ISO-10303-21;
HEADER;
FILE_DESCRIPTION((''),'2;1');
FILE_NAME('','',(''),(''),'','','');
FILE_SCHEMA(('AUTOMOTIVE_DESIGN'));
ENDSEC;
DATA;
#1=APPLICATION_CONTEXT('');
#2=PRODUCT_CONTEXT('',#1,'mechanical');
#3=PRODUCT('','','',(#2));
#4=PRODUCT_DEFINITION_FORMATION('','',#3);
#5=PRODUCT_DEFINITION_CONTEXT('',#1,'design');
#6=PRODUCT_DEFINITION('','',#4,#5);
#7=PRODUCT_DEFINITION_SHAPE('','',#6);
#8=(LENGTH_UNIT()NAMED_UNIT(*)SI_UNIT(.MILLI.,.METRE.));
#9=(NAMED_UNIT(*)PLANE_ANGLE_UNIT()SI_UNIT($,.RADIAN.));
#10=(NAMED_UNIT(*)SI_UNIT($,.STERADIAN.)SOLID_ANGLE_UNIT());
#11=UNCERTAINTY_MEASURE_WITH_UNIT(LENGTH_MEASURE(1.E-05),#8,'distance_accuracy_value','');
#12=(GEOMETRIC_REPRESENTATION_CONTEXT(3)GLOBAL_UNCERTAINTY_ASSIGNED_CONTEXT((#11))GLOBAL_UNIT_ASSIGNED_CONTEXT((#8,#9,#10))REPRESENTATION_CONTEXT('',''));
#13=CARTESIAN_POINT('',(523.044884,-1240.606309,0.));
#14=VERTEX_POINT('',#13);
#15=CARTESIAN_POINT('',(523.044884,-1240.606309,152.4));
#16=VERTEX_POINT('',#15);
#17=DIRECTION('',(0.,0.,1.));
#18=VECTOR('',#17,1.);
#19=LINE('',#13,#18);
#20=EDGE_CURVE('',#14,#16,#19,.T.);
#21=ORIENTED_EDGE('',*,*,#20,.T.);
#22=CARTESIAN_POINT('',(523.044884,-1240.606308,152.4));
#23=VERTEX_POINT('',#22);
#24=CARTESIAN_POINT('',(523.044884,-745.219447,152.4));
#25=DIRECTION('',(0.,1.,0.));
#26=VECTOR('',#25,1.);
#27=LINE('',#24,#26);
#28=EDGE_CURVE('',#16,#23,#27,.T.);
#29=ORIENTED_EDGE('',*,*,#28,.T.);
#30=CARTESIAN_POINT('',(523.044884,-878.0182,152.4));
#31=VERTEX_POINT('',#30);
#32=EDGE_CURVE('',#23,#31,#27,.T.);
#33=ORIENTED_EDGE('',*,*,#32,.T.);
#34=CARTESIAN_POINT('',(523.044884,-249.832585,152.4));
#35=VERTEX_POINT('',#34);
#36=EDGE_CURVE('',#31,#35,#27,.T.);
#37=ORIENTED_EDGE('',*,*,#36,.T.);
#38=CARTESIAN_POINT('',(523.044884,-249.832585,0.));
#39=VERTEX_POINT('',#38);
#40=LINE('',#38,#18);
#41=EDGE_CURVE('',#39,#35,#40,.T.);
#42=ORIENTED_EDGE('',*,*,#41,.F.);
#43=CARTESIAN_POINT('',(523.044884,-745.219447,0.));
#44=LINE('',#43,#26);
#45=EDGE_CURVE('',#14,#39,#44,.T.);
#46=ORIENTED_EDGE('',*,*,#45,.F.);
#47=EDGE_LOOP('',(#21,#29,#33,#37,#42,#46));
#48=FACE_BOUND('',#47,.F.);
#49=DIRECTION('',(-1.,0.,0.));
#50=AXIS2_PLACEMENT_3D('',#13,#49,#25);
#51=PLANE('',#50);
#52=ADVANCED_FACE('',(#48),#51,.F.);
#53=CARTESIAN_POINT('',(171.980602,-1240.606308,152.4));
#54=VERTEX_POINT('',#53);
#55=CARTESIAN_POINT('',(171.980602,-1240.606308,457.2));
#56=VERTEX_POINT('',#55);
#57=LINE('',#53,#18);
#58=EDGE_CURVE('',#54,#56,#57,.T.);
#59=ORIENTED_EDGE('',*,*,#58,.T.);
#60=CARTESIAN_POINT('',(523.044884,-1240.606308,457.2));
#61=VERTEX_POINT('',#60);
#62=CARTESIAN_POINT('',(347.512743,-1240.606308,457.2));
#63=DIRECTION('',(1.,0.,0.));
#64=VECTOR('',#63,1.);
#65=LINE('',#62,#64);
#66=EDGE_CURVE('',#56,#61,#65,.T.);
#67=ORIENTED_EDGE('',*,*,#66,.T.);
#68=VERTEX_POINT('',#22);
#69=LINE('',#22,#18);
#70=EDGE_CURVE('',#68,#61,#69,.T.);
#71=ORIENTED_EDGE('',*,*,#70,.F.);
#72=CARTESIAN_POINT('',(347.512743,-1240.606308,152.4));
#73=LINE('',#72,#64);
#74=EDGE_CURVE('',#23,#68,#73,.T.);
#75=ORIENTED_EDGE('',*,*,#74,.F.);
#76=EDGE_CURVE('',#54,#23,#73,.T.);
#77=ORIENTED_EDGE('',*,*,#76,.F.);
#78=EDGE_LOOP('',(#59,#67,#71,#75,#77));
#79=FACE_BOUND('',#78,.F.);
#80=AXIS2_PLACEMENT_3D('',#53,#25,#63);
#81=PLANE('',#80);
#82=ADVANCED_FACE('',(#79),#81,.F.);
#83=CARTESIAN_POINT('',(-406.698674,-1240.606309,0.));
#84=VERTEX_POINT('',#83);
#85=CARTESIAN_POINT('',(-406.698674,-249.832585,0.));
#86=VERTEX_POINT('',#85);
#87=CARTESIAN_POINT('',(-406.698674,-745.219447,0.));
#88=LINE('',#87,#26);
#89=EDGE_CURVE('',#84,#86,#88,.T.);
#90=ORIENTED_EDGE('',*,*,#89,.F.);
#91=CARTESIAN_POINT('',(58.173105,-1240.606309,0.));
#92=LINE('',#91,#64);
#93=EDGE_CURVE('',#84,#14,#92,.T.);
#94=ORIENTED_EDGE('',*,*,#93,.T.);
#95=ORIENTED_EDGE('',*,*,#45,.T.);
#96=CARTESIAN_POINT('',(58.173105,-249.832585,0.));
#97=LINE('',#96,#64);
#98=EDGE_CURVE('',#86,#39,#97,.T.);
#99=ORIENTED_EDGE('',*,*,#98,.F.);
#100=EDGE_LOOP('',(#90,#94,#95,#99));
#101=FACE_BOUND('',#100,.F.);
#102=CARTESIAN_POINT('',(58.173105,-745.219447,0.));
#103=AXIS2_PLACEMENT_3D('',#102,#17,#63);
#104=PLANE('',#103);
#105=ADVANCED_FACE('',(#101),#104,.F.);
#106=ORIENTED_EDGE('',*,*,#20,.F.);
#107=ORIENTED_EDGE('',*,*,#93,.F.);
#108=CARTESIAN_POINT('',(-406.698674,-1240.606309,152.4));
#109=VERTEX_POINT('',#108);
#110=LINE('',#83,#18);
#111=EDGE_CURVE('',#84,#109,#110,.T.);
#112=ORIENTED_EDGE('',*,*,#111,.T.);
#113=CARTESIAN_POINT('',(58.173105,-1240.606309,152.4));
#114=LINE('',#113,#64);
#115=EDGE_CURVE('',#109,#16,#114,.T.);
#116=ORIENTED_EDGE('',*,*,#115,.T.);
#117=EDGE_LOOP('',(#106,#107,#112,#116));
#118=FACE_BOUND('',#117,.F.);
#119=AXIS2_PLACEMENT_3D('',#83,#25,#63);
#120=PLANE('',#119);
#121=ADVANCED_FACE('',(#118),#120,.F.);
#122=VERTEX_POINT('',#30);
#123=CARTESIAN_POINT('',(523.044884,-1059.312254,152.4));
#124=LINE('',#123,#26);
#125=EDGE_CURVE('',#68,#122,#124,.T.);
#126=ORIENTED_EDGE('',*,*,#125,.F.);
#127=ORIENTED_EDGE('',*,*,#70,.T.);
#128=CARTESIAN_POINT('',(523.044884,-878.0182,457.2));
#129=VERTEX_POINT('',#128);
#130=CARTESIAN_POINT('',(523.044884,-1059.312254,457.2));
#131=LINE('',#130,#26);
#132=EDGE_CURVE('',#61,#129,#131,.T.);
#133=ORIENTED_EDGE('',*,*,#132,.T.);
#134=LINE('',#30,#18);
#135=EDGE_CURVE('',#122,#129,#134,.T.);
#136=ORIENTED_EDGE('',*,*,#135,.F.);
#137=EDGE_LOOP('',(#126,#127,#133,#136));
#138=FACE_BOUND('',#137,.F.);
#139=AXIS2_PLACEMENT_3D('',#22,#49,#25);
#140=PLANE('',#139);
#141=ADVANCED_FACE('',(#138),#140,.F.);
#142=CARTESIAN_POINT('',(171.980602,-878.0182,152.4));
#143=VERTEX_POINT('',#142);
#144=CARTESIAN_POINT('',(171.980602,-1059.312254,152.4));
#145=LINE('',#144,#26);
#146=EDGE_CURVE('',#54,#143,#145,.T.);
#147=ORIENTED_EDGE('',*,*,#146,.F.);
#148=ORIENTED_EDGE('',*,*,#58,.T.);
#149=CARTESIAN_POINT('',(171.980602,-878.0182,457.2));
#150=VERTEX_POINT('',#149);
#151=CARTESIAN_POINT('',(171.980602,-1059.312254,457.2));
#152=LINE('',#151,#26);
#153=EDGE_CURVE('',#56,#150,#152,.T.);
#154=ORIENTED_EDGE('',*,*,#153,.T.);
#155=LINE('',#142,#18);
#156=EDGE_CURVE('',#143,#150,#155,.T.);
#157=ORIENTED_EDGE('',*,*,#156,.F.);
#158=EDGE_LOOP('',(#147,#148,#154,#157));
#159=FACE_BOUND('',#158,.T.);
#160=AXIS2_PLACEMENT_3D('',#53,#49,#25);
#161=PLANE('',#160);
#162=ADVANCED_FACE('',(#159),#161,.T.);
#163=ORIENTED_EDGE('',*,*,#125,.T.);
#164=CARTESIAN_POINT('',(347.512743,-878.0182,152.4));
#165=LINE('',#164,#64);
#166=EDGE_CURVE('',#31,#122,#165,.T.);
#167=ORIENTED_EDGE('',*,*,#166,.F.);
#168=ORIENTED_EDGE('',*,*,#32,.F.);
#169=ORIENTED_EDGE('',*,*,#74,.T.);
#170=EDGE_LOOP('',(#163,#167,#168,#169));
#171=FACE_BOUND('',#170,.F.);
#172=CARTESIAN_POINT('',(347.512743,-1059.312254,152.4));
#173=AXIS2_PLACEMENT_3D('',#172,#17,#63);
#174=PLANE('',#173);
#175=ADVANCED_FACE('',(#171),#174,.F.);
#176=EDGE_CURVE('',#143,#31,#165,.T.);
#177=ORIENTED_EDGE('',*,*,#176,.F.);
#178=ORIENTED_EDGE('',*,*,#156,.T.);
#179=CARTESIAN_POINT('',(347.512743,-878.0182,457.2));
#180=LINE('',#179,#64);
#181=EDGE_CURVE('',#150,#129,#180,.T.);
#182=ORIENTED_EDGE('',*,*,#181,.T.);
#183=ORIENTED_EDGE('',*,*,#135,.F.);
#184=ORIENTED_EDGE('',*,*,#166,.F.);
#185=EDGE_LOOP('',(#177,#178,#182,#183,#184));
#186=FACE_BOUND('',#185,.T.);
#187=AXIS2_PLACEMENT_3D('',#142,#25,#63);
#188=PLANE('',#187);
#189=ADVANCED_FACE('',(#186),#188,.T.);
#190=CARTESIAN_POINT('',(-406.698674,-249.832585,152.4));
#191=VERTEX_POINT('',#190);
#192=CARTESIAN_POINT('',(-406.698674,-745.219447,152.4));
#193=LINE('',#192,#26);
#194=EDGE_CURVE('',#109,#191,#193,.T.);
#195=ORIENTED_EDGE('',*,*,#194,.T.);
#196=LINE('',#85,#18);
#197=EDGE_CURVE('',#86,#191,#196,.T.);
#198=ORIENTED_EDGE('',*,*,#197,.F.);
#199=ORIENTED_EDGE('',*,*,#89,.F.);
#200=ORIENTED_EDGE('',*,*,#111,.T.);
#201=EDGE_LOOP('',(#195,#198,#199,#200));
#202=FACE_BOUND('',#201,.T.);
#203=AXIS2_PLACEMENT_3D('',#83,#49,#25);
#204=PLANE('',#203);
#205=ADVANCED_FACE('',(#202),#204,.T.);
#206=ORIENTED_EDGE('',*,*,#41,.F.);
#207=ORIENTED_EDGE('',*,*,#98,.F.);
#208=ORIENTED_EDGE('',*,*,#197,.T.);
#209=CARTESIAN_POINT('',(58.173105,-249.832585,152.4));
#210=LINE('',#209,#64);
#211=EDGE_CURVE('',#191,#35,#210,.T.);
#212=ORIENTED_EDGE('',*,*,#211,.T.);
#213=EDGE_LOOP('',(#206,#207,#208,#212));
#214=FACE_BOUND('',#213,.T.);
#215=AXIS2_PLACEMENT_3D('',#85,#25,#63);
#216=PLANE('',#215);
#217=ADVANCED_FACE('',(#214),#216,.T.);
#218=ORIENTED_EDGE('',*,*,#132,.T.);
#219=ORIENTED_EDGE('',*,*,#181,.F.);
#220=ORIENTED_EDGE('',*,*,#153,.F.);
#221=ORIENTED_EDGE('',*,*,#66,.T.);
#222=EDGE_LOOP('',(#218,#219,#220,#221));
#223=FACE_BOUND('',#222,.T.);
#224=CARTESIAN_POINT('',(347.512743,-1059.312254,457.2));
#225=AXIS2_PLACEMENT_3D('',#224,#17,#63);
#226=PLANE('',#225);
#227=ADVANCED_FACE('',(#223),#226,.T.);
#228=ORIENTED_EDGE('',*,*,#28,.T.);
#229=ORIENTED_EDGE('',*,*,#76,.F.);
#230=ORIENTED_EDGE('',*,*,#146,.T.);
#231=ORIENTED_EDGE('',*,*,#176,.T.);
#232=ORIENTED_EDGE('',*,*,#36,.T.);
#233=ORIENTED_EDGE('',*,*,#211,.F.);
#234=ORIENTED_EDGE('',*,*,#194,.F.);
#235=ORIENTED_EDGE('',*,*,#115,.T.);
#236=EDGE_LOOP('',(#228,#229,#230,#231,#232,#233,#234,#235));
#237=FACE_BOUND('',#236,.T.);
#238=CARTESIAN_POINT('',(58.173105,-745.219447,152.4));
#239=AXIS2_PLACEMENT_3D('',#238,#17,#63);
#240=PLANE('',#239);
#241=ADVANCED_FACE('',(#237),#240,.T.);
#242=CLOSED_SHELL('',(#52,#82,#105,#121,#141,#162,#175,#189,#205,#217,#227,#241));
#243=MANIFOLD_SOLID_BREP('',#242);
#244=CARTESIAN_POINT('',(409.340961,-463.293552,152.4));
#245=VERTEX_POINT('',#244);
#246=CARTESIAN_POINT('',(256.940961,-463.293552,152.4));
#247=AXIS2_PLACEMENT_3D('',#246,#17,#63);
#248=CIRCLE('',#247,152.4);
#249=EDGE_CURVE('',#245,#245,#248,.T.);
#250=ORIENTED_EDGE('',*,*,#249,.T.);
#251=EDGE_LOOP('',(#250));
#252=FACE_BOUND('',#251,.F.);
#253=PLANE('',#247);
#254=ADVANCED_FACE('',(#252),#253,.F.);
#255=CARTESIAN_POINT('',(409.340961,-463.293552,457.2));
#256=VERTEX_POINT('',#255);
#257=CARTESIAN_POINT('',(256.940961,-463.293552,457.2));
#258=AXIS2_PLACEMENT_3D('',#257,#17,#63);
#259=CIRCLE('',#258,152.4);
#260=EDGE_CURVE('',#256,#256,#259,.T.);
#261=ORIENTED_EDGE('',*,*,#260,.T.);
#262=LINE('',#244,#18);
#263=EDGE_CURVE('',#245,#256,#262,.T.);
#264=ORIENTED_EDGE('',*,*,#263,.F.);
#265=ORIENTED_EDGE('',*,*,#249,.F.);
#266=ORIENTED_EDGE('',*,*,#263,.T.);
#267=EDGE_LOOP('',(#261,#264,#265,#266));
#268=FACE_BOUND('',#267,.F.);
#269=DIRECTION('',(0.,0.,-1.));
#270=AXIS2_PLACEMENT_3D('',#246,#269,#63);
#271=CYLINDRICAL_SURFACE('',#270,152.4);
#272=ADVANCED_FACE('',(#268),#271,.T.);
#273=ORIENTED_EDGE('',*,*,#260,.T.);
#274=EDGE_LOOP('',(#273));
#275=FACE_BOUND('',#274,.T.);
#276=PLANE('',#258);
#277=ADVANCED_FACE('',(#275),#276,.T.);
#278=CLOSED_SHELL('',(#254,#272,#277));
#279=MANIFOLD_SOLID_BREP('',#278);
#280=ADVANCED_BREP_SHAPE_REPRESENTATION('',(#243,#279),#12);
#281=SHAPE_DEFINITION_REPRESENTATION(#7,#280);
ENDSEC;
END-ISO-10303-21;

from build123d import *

# Parameters (mm, degrees)
F0_W     = 929.743558
F0_H     = 990.773723
F1_DEPTH = 152.4
F2_R     = 152.4
F3_DEPTH = 304.8
F4_W     = 351.064283
F4_H     = 362.588108
F5_DEPTH = 304.8


with BuildPart() as f1:
    # F0 (on Top) → F1 (new body)
    with BuildSketch(Plane.XY):
        with Locations((58.173105, -745.219447)):
            Rectangle(F0_W, F0_H)
    extrude(amount=F1_DEPTH)

    # F4 (on face) → F5 (join)
    with BuildSketch(Plane.XY.offset(152.4)):
        with Locations((347.512743, -1059.312254)):
            Rectangle(F4_W, F4_H)
    extrude(amount=F5_DEPTH)


with BuildPart() as f3:
    # F2 (on face) → F3 (new body)
    with BuildSketch(Plane.XY.offset(152.4)):
        with Locations((256.940961, -463.293552)):
            Circle(F2_R)
    extrude(amount=F3_DEPTH)


solid = Compound([f1.part, f3.part])
